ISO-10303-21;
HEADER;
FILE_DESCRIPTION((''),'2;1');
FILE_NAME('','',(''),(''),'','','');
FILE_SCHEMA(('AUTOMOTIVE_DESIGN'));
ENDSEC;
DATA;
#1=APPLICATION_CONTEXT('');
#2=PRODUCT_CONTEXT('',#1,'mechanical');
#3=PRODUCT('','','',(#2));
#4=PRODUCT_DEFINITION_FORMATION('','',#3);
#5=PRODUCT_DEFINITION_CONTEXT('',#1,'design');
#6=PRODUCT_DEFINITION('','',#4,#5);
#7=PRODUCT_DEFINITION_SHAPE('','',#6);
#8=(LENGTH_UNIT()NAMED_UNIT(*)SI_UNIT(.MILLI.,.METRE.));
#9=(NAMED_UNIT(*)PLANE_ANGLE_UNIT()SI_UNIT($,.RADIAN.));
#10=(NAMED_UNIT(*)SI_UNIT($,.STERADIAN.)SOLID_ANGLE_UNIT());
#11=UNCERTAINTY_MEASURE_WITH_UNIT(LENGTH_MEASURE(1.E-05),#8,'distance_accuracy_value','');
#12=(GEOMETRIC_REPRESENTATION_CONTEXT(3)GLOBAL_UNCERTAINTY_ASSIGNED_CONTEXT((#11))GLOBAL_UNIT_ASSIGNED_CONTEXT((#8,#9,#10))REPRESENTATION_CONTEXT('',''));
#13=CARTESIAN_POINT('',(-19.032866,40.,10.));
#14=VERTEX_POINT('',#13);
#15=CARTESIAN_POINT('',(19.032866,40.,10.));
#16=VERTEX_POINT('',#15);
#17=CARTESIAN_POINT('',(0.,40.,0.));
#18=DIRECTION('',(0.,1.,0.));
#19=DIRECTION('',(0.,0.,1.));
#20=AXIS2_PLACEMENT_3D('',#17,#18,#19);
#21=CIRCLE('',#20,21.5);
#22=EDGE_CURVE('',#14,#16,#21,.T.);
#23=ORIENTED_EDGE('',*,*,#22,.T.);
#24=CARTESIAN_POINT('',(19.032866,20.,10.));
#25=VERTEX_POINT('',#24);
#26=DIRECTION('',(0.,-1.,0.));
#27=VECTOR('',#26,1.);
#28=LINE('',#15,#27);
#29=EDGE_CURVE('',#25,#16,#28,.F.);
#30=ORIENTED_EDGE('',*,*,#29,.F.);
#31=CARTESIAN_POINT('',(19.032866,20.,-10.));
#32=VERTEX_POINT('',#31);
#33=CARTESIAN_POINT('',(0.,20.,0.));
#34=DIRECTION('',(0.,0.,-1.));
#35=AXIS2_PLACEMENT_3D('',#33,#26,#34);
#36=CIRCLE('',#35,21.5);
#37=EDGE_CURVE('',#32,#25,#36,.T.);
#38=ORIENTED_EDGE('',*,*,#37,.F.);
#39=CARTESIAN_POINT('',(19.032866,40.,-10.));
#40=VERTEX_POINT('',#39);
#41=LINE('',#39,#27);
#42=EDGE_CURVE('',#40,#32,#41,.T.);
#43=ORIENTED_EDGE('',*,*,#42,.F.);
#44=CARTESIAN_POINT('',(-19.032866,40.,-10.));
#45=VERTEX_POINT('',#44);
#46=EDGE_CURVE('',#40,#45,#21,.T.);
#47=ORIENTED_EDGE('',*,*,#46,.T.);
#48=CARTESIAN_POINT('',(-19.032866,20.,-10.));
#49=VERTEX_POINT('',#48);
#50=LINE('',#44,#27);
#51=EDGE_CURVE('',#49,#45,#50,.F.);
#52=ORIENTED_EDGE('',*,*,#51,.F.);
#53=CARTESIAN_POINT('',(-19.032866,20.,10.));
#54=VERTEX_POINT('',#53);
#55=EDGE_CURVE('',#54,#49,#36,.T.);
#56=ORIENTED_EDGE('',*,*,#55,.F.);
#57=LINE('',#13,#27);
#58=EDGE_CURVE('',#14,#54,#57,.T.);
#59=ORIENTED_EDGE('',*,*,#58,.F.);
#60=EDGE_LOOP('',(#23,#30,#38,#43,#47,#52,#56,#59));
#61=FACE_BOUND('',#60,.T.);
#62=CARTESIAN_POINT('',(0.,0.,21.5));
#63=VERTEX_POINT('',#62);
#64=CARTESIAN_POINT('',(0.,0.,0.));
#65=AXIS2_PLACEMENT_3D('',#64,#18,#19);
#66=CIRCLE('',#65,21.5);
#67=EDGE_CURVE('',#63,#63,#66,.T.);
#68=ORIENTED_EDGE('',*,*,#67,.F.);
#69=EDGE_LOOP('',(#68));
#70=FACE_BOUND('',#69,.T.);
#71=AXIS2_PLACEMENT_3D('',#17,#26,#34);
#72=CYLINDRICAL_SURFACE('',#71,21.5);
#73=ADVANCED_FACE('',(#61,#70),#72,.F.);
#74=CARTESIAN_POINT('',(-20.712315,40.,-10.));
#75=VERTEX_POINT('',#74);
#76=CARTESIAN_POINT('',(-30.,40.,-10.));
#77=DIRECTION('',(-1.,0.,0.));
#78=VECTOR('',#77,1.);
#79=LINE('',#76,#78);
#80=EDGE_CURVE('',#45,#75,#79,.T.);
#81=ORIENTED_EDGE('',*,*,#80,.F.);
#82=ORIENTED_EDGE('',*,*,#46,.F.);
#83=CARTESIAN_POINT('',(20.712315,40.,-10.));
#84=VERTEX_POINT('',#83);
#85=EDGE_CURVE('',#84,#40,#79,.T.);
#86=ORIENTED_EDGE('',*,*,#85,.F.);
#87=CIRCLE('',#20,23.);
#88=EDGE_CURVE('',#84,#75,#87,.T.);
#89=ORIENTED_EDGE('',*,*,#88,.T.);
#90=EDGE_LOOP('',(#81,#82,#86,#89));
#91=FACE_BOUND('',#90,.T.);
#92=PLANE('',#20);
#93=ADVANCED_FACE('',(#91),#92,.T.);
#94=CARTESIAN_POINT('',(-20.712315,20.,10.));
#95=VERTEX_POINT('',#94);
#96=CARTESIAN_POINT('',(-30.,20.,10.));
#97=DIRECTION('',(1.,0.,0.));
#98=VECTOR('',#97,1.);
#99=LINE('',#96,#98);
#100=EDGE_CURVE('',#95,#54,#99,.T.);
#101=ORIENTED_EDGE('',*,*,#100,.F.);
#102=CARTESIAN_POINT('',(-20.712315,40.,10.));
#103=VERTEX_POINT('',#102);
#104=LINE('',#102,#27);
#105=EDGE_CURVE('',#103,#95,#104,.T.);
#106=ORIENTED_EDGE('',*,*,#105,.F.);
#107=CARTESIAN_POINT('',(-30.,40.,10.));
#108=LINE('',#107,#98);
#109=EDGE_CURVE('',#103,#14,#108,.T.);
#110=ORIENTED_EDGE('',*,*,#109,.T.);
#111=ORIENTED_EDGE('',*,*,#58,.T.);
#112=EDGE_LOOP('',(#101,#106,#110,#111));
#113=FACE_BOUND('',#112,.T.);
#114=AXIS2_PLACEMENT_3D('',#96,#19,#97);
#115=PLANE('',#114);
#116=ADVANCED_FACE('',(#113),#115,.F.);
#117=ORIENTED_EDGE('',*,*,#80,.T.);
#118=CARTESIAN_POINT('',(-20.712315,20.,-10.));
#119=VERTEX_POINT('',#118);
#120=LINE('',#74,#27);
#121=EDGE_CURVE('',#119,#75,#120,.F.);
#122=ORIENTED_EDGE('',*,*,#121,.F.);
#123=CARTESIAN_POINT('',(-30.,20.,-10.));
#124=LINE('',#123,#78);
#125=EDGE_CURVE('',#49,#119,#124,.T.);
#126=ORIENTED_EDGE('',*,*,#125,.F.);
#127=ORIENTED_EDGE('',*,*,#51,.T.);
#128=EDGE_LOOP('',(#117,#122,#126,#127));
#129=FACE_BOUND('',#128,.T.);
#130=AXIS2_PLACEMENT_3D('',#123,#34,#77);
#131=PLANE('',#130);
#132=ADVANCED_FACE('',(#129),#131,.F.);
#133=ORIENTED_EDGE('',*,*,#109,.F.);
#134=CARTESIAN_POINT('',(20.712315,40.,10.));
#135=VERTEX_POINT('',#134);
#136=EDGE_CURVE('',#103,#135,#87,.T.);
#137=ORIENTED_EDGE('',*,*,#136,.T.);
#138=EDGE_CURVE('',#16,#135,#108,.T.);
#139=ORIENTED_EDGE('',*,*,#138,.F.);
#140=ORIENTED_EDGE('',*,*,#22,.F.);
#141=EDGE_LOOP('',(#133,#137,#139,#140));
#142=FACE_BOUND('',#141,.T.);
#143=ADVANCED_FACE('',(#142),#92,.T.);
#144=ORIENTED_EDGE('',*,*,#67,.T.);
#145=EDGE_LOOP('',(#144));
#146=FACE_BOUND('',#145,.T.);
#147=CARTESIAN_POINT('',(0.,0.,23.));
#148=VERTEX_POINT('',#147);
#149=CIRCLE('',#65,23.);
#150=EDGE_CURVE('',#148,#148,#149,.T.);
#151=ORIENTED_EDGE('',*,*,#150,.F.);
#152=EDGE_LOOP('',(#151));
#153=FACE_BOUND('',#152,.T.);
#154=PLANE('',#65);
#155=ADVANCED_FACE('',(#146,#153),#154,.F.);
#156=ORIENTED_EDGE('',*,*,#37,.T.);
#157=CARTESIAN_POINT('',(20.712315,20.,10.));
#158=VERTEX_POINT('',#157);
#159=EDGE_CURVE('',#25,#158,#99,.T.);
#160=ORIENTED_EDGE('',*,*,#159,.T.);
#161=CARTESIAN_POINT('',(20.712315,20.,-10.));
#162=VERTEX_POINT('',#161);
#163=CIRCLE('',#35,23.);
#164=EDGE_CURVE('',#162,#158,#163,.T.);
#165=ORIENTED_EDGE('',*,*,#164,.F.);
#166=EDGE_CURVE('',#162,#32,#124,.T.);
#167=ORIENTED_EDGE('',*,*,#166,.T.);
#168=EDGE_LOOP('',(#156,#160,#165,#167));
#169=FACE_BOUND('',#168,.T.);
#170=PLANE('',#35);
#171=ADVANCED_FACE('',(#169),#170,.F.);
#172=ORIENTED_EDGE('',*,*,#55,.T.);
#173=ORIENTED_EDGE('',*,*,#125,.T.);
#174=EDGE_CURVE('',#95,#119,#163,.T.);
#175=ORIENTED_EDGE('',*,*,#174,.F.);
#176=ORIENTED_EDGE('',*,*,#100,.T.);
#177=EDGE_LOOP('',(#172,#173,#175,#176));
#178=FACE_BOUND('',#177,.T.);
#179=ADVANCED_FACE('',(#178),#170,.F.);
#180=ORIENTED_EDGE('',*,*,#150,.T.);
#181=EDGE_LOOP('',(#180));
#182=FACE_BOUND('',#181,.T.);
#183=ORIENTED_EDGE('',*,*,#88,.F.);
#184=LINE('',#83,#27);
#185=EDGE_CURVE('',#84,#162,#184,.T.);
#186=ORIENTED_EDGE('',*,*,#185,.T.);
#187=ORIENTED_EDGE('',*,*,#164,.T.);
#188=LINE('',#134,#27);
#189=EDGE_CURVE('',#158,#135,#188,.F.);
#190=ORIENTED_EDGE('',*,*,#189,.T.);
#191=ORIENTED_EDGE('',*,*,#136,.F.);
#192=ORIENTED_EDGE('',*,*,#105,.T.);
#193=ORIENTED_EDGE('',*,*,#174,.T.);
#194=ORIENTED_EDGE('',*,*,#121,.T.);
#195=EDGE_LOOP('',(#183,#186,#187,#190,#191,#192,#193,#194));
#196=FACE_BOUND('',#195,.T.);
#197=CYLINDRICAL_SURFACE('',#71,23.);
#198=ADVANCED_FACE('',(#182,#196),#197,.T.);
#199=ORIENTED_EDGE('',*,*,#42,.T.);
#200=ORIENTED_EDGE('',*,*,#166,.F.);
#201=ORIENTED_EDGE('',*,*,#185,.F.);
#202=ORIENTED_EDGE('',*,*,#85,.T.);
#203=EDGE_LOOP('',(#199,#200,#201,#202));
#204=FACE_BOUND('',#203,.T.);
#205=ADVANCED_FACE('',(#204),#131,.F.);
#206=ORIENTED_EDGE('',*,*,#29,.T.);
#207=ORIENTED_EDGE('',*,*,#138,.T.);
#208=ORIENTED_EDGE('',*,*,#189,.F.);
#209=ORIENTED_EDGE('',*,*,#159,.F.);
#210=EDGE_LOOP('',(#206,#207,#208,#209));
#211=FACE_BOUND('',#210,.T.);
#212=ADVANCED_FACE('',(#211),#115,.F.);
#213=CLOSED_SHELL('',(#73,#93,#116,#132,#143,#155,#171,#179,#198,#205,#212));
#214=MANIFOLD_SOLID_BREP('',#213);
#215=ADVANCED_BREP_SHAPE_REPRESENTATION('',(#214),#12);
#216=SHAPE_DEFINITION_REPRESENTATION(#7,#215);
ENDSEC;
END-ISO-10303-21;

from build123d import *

# Parameters (mm, degrees)
SKETCH1_R           = 23
SKETCH1_R_2         = 21.5
BOSS_EXTRUDE1_DEPTH = 40
SKETCH2_W           = 60
SKETCH2_H           = 20
CUT_EXTRUDE1_DEPTH  = 20


with BuildPart() as part:
    # Sketch1 → Boss-Extrude1 (new body)
    with BuildSketch(Plane(origin=(0, 0, 0), x_dir=(1, 0, 0), z_dir=(0, 1, 0))):
        with Locations(Location((0, 0, 0), (0, 0, 270))):
            Circle(SKETCH1_R)
        with Locations(Location((0, 0, 0), (0, 0, 270))):
            Circle(SKETCH1_R_2, mode=Mode.SUBTRACT)
    extrude(amount=BOSS_EXTRUDE1_DEPTH)

    # Sketch2 → Cut-Extrude1 (cut)
    with BuildSketch(Plane(origin=(0, 40, 0), x_dir=(1, 0, 0), z_dir=(0, 1, 0))):
        Rectangle(SKETCH2_W, SKETCH2_H)
    extrude(amount=-CUT_EXTRUDE1_DEPTH, mode=Mode.SUBTRACT)


solid = part.part
